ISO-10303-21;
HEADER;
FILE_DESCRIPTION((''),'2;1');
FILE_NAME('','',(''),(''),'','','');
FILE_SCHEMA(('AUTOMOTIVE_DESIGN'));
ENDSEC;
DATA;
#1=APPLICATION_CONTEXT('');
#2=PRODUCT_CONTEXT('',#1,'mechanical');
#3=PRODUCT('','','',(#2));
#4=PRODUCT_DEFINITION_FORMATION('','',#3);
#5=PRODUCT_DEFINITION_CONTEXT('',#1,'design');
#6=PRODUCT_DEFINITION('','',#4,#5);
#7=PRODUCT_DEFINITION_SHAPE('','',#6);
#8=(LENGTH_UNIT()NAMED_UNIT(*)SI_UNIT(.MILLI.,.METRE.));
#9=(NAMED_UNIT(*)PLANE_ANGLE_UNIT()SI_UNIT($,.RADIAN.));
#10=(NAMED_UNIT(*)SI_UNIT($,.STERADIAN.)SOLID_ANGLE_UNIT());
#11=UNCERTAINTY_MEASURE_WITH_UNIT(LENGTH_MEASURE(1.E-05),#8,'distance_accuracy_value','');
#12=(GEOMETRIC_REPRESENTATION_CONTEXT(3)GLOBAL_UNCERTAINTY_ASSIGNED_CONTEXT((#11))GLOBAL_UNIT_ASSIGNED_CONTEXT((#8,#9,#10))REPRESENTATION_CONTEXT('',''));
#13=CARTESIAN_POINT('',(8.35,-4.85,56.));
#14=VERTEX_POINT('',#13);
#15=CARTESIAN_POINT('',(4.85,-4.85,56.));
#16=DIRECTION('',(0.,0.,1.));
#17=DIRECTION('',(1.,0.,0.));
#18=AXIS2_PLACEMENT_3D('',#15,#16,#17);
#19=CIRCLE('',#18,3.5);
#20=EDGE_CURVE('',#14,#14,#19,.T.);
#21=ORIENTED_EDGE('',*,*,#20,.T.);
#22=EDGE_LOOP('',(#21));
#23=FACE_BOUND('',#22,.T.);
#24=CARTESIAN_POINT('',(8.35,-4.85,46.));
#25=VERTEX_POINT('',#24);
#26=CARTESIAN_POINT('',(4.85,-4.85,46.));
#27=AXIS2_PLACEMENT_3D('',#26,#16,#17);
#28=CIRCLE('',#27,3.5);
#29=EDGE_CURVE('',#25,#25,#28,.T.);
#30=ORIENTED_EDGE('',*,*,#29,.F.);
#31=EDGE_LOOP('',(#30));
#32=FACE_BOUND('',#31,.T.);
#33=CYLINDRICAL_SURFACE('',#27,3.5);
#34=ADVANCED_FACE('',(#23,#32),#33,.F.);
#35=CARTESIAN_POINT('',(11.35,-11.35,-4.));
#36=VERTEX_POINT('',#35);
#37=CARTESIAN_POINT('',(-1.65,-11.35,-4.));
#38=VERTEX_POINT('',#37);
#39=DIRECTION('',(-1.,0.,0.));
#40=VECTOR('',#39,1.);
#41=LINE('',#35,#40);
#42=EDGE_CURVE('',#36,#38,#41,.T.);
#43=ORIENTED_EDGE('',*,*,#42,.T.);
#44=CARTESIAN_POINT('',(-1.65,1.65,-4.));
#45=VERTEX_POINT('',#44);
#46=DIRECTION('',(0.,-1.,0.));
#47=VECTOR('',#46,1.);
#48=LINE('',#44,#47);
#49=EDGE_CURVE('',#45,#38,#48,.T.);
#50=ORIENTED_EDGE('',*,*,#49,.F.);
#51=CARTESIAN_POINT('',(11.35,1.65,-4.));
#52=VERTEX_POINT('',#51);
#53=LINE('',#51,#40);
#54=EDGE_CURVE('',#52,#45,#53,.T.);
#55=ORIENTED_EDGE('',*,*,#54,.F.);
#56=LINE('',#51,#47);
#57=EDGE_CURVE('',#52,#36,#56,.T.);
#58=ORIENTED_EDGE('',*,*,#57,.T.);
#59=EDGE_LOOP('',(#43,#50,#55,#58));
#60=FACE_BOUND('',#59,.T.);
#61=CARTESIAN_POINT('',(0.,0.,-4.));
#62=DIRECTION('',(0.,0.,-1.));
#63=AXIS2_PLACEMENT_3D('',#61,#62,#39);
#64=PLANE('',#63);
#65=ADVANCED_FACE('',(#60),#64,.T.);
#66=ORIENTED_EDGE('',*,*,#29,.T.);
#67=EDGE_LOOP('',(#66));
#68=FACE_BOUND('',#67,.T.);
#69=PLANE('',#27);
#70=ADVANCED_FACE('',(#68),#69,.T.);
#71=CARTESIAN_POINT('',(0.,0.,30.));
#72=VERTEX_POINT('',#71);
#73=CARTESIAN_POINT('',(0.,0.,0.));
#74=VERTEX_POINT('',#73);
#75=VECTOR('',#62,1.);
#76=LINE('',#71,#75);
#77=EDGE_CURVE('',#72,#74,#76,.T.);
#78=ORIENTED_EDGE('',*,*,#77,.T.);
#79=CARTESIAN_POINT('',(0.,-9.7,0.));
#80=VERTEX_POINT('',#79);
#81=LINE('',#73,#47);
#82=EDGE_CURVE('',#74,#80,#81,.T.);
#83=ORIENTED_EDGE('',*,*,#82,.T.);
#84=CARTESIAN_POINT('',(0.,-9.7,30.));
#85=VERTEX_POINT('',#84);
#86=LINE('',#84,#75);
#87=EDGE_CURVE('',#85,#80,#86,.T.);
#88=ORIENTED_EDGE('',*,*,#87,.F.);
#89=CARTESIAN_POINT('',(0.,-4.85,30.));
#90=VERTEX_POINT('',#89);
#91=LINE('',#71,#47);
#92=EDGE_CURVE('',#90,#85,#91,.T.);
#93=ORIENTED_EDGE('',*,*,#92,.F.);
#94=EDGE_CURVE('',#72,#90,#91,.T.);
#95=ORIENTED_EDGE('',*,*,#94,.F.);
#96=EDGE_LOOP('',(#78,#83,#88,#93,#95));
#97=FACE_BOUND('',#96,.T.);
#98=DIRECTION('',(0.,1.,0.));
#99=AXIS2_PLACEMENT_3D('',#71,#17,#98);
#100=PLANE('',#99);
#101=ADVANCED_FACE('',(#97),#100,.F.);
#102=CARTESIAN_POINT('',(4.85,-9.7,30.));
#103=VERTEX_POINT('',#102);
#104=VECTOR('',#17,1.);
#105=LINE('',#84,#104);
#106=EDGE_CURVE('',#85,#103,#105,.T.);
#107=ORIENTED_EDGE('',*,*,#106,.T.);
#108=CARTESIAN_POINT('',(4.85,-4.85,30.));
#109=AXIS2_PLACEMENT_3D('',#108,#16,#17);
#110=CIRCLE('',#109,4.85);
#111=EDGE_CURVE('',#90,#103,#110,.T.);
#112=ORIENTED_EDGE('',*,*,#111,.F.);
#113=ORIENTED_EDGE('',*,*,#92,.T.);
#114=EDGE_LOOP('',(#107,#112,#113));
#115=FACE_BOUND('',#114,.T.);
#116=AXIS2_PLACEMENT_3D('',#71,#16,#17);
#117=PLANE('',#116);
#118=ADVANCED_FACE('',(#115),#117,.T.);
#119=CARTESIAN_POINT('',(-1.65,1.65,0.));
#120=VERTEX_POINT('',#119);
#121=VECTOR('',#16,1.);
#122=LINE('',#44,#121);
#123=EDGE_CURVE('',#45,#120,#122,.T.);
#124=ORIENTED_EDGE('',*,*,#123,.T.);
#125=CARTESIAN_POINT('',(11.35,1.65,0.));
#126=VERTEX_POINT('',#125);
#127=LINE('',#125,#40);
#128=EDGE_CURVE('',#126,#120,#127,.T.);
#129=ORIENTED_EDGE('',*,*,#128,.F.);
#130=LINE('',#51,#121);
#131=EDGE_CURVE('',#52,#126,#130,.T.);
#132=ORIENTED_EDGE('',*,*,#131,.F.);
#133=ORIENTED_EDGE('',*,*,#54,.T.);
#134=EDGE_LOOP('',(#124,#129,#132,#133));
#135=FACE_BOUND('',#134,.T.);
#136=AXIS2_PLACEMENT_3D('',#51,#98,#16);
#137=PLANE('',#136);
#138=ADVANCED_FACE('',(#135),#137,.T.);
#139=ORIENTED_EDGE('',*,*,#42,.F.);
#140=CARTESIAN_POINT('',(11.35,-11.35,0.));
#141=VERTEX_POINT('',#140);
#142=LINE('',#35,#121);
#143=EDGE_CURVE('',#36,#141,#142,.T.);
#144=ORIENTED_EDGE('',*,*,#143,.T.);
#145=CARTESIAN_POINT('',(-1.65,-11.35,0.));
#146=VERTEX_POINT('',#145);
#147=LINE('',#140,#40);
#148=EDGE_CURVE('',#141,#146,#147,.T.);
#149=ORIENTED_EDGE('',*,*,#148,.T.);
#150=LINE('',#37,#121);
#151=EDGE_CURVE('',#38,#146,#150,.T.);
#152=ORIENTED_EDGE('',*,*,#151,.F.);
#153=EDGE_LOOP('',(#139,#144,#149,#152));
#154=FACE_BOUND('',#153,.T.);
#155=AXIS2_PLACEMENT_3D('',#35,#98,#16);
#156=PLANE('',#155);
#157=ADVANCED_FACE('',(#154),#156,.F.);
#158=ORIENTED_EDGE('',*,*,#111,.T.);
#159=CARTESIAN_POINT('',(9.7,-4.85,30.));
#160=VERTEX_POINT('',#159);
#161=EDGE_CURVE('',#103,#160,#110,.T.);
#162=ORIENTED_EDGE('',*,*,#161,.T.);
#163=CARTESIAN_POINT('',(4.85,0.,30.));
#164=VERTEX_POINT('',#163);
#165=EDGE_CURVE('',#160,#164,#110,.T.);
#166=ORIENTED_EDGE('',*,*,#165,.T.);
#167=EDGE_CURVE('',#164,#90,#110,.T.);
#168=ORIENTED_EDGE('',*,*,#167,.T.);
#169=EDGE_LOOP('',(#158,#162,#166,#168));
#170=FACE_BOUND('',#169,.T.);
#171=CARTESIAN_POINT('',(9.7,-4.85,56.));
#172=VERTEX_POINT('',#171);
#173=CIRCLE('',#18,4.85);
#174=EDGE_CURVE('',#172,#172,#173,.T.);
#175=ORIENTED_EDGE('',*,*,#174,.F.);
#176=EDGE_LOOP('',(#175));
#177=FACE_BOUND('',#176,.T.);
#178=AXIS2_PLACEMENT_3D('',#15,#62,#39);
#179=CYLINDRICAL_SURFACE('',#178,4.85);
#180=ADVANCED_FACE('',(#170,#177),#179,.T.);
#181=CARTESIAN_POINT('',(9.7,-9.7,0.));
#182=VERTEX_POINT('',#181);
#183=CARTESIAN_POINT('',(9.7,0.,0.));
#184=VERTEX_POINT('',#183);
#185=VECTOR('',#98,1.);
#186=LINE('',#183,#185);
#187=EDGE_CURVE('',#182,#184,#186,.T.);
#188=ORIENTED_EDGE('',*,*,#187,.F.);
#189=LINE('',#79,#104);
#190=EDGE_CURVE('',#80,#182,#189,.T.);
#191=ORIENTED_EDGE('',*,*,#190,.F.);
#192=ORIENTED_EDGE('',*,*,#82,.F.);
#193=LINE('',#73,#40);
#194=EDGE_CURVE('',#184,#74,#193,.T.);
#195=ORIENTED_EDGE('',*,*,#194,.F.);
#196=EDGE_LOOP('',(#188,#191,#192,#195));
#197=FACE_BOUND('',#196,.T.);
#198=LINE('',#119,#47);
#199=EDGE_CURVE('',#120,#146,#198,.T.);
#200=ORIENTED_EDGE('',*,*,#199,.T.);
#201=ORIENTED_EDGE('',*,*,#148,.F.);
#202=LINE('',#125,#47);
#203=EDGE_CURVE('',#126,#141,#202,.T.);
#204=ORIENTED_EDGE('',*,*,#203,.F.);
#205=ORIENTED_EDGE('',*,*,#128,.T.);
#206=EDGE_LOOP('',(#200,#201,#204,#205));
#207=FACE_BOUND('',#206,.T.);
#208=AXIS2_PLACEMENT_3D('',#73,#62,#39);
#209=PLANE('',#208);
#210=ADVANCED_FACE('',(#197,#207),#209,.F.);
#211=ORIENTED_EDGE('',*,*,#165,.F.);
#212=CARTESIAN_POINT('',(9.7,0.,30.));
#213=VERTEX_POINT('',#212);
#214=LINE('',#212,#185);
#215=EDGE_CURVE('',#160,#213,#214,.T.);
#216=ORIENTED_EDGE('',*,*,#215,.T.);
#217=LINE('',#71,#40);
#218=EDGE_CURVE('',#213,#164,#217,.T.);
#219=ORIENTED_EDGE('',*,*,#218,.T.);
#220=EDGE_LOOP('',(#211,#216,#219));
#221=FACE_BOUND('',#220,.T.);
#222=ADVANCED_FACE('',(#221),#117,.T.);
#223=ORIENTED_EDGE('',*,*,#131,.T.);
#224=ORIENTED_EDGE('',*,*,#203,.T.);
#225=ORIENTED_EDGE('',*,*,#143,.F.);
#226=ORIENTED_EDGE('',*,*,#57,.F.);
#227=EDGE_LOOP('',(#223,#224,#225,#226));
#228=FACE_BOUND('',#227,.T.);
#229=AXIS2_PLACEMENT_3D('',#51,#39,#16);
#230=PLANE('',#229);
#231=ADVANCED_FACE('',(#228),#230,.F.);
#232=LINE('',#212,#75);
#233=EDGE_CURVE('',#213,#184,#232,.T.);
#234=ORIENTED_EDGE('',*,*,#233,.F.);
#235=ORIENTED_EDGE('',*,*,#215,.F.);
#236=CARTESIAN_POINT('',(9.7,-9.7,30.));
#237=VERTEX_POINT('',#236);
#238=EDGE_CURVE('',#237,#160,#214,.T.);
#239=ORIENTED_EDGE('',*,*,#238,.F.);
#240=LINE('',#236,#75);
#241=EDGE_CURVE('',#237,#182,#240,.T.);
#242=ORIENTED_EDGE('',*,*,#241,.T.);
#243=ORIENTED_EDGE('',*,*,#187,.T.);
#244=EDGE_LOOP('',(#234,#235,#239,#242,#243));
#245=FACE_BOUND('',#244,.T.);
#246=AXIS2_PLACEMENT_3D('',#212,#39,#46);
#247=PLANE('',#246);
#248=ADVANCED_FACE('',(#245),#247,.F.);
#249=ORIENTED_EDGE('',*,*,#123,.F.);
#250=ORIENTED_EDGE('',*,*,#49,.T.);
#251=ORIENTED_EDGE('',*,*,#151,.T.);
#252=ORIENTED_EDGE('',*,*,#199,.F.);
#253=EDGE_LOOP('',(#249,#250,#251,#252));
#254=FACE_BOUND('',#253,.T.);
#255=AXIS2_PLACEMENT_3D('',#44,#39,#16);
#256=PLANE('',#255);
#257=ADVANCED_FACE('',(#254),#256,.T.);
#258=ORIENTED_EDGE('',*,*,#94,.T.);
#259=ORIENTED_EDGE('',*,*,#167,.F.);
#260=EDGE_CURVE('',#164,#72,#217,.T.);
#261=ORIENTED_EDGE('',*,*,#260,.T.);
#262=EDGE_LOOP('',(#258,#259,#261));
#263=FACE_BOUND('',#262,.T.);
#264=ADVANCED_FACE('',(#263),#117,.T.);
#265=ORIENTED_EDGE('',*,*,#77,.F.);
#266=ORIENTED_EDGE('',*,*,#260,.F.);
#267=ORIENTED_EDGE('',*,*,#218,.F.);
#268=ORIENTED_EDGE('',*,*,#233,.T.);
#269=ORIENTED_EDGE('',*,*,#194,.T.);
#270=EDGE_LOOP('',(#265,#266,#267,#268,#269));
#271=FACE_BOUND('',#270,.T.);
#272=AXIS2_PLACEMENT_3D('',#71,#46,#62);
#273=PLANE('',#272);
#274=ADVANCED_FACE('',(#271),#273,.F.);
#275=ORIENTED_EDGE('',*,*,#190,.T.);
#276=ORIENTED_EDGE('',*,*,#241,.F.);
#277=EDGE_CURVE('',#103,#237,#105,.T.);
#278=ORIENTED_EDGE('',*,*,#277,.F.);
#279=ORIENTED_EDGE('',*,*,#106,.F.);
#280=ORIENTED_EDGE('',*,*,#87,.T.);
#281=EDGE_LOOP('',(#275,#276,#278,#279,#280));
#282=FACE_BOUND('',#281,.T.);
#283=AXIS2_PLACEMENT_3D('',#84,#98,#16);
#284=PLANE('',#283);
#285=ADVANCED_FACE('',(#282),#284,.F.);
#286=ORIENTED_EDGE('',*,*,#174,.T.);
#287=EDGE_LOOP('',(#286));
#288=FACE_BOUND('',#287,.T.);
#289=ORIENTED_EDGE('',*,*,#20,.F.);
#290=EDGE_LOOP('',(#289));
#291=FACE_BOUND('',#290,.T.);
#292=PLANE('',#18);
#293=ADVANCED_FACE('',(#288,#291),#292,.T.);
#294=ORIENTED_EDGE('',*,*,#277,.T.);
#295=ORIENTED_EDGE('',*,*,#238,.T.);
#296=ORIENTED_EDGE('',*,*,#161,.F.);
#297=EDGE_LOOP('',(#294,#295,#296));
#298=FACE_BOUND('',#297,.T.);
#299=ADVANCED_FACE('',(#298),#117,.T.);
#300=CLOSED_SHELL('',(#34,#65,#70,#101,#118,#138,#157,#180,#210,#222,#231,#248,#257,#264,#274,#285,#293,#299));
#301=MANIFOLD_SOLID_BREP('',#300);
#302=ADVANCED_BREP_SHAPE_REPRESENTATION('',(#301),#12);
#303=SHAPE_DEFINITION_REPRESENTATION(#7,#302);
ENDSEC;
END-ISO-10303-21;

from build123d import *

# Parameters (mm, degrees)
SKETCH1_W           = 9.7
SKETCH1_H           = 9.7
BOSS_EXTRUDE1_DEPTH = 30
SKETCH2_R           = 4.85
BOSS_EXTRUDE2_DEPTH = 26
SKETCH3_W           = 13
SKETCH3_H           = 13
BOSS_EXTRUDE3_DEPTH = 4
SKETCH4_R           = 3.5
CUT_EXTRUDE1_DEPTH  = 10


with BuildPart() as part:
    # Sketch1 → Boss-Extrude1 (new body)
    with BuildSketch(Plane.XY):
        with Locations((4.85, -4.85)):
            Rectangle(SKETCH1_W, SKETCH1_H)
    extrude(amount=BOSS_EXTRUDE1_DEPTH)

    # Sketch2 → Boss-Extrude2 (add)
    with BuildSketch(Plane.XY.offset(30)):
        with Locations((4.85, -4.85)):
            Circle(SKETCH2_R)
    extrude(amount=BOSS_EXTRUDE2_DEPTH)

    # Sketch3 → Boss-Extrude3 (add)
    with BuildSketch(Plane(origin=(0, 0, 0), x_dir=(-1, 0, 0), z_dir=(0, 0, -1))):
        with Locations((-4.85, -4.85)):
            Rectangle(SKETCH3_W, SKETCH3_H)
    extrude(amount=BOSS_EXTRUDE3_DEPTH)

    # Sketch4 → Cut-Extrude1 (cut)
    with BuildSketch(Plane.XY.offset(56)):
        with Locations((4.85, -4.85)):
            Circle(SKETCH4_R)
    extrude(amount=-CUT_EXTRUDE1_DEPTH, mode=Mode.SUBTRACT)


solid = part.part
